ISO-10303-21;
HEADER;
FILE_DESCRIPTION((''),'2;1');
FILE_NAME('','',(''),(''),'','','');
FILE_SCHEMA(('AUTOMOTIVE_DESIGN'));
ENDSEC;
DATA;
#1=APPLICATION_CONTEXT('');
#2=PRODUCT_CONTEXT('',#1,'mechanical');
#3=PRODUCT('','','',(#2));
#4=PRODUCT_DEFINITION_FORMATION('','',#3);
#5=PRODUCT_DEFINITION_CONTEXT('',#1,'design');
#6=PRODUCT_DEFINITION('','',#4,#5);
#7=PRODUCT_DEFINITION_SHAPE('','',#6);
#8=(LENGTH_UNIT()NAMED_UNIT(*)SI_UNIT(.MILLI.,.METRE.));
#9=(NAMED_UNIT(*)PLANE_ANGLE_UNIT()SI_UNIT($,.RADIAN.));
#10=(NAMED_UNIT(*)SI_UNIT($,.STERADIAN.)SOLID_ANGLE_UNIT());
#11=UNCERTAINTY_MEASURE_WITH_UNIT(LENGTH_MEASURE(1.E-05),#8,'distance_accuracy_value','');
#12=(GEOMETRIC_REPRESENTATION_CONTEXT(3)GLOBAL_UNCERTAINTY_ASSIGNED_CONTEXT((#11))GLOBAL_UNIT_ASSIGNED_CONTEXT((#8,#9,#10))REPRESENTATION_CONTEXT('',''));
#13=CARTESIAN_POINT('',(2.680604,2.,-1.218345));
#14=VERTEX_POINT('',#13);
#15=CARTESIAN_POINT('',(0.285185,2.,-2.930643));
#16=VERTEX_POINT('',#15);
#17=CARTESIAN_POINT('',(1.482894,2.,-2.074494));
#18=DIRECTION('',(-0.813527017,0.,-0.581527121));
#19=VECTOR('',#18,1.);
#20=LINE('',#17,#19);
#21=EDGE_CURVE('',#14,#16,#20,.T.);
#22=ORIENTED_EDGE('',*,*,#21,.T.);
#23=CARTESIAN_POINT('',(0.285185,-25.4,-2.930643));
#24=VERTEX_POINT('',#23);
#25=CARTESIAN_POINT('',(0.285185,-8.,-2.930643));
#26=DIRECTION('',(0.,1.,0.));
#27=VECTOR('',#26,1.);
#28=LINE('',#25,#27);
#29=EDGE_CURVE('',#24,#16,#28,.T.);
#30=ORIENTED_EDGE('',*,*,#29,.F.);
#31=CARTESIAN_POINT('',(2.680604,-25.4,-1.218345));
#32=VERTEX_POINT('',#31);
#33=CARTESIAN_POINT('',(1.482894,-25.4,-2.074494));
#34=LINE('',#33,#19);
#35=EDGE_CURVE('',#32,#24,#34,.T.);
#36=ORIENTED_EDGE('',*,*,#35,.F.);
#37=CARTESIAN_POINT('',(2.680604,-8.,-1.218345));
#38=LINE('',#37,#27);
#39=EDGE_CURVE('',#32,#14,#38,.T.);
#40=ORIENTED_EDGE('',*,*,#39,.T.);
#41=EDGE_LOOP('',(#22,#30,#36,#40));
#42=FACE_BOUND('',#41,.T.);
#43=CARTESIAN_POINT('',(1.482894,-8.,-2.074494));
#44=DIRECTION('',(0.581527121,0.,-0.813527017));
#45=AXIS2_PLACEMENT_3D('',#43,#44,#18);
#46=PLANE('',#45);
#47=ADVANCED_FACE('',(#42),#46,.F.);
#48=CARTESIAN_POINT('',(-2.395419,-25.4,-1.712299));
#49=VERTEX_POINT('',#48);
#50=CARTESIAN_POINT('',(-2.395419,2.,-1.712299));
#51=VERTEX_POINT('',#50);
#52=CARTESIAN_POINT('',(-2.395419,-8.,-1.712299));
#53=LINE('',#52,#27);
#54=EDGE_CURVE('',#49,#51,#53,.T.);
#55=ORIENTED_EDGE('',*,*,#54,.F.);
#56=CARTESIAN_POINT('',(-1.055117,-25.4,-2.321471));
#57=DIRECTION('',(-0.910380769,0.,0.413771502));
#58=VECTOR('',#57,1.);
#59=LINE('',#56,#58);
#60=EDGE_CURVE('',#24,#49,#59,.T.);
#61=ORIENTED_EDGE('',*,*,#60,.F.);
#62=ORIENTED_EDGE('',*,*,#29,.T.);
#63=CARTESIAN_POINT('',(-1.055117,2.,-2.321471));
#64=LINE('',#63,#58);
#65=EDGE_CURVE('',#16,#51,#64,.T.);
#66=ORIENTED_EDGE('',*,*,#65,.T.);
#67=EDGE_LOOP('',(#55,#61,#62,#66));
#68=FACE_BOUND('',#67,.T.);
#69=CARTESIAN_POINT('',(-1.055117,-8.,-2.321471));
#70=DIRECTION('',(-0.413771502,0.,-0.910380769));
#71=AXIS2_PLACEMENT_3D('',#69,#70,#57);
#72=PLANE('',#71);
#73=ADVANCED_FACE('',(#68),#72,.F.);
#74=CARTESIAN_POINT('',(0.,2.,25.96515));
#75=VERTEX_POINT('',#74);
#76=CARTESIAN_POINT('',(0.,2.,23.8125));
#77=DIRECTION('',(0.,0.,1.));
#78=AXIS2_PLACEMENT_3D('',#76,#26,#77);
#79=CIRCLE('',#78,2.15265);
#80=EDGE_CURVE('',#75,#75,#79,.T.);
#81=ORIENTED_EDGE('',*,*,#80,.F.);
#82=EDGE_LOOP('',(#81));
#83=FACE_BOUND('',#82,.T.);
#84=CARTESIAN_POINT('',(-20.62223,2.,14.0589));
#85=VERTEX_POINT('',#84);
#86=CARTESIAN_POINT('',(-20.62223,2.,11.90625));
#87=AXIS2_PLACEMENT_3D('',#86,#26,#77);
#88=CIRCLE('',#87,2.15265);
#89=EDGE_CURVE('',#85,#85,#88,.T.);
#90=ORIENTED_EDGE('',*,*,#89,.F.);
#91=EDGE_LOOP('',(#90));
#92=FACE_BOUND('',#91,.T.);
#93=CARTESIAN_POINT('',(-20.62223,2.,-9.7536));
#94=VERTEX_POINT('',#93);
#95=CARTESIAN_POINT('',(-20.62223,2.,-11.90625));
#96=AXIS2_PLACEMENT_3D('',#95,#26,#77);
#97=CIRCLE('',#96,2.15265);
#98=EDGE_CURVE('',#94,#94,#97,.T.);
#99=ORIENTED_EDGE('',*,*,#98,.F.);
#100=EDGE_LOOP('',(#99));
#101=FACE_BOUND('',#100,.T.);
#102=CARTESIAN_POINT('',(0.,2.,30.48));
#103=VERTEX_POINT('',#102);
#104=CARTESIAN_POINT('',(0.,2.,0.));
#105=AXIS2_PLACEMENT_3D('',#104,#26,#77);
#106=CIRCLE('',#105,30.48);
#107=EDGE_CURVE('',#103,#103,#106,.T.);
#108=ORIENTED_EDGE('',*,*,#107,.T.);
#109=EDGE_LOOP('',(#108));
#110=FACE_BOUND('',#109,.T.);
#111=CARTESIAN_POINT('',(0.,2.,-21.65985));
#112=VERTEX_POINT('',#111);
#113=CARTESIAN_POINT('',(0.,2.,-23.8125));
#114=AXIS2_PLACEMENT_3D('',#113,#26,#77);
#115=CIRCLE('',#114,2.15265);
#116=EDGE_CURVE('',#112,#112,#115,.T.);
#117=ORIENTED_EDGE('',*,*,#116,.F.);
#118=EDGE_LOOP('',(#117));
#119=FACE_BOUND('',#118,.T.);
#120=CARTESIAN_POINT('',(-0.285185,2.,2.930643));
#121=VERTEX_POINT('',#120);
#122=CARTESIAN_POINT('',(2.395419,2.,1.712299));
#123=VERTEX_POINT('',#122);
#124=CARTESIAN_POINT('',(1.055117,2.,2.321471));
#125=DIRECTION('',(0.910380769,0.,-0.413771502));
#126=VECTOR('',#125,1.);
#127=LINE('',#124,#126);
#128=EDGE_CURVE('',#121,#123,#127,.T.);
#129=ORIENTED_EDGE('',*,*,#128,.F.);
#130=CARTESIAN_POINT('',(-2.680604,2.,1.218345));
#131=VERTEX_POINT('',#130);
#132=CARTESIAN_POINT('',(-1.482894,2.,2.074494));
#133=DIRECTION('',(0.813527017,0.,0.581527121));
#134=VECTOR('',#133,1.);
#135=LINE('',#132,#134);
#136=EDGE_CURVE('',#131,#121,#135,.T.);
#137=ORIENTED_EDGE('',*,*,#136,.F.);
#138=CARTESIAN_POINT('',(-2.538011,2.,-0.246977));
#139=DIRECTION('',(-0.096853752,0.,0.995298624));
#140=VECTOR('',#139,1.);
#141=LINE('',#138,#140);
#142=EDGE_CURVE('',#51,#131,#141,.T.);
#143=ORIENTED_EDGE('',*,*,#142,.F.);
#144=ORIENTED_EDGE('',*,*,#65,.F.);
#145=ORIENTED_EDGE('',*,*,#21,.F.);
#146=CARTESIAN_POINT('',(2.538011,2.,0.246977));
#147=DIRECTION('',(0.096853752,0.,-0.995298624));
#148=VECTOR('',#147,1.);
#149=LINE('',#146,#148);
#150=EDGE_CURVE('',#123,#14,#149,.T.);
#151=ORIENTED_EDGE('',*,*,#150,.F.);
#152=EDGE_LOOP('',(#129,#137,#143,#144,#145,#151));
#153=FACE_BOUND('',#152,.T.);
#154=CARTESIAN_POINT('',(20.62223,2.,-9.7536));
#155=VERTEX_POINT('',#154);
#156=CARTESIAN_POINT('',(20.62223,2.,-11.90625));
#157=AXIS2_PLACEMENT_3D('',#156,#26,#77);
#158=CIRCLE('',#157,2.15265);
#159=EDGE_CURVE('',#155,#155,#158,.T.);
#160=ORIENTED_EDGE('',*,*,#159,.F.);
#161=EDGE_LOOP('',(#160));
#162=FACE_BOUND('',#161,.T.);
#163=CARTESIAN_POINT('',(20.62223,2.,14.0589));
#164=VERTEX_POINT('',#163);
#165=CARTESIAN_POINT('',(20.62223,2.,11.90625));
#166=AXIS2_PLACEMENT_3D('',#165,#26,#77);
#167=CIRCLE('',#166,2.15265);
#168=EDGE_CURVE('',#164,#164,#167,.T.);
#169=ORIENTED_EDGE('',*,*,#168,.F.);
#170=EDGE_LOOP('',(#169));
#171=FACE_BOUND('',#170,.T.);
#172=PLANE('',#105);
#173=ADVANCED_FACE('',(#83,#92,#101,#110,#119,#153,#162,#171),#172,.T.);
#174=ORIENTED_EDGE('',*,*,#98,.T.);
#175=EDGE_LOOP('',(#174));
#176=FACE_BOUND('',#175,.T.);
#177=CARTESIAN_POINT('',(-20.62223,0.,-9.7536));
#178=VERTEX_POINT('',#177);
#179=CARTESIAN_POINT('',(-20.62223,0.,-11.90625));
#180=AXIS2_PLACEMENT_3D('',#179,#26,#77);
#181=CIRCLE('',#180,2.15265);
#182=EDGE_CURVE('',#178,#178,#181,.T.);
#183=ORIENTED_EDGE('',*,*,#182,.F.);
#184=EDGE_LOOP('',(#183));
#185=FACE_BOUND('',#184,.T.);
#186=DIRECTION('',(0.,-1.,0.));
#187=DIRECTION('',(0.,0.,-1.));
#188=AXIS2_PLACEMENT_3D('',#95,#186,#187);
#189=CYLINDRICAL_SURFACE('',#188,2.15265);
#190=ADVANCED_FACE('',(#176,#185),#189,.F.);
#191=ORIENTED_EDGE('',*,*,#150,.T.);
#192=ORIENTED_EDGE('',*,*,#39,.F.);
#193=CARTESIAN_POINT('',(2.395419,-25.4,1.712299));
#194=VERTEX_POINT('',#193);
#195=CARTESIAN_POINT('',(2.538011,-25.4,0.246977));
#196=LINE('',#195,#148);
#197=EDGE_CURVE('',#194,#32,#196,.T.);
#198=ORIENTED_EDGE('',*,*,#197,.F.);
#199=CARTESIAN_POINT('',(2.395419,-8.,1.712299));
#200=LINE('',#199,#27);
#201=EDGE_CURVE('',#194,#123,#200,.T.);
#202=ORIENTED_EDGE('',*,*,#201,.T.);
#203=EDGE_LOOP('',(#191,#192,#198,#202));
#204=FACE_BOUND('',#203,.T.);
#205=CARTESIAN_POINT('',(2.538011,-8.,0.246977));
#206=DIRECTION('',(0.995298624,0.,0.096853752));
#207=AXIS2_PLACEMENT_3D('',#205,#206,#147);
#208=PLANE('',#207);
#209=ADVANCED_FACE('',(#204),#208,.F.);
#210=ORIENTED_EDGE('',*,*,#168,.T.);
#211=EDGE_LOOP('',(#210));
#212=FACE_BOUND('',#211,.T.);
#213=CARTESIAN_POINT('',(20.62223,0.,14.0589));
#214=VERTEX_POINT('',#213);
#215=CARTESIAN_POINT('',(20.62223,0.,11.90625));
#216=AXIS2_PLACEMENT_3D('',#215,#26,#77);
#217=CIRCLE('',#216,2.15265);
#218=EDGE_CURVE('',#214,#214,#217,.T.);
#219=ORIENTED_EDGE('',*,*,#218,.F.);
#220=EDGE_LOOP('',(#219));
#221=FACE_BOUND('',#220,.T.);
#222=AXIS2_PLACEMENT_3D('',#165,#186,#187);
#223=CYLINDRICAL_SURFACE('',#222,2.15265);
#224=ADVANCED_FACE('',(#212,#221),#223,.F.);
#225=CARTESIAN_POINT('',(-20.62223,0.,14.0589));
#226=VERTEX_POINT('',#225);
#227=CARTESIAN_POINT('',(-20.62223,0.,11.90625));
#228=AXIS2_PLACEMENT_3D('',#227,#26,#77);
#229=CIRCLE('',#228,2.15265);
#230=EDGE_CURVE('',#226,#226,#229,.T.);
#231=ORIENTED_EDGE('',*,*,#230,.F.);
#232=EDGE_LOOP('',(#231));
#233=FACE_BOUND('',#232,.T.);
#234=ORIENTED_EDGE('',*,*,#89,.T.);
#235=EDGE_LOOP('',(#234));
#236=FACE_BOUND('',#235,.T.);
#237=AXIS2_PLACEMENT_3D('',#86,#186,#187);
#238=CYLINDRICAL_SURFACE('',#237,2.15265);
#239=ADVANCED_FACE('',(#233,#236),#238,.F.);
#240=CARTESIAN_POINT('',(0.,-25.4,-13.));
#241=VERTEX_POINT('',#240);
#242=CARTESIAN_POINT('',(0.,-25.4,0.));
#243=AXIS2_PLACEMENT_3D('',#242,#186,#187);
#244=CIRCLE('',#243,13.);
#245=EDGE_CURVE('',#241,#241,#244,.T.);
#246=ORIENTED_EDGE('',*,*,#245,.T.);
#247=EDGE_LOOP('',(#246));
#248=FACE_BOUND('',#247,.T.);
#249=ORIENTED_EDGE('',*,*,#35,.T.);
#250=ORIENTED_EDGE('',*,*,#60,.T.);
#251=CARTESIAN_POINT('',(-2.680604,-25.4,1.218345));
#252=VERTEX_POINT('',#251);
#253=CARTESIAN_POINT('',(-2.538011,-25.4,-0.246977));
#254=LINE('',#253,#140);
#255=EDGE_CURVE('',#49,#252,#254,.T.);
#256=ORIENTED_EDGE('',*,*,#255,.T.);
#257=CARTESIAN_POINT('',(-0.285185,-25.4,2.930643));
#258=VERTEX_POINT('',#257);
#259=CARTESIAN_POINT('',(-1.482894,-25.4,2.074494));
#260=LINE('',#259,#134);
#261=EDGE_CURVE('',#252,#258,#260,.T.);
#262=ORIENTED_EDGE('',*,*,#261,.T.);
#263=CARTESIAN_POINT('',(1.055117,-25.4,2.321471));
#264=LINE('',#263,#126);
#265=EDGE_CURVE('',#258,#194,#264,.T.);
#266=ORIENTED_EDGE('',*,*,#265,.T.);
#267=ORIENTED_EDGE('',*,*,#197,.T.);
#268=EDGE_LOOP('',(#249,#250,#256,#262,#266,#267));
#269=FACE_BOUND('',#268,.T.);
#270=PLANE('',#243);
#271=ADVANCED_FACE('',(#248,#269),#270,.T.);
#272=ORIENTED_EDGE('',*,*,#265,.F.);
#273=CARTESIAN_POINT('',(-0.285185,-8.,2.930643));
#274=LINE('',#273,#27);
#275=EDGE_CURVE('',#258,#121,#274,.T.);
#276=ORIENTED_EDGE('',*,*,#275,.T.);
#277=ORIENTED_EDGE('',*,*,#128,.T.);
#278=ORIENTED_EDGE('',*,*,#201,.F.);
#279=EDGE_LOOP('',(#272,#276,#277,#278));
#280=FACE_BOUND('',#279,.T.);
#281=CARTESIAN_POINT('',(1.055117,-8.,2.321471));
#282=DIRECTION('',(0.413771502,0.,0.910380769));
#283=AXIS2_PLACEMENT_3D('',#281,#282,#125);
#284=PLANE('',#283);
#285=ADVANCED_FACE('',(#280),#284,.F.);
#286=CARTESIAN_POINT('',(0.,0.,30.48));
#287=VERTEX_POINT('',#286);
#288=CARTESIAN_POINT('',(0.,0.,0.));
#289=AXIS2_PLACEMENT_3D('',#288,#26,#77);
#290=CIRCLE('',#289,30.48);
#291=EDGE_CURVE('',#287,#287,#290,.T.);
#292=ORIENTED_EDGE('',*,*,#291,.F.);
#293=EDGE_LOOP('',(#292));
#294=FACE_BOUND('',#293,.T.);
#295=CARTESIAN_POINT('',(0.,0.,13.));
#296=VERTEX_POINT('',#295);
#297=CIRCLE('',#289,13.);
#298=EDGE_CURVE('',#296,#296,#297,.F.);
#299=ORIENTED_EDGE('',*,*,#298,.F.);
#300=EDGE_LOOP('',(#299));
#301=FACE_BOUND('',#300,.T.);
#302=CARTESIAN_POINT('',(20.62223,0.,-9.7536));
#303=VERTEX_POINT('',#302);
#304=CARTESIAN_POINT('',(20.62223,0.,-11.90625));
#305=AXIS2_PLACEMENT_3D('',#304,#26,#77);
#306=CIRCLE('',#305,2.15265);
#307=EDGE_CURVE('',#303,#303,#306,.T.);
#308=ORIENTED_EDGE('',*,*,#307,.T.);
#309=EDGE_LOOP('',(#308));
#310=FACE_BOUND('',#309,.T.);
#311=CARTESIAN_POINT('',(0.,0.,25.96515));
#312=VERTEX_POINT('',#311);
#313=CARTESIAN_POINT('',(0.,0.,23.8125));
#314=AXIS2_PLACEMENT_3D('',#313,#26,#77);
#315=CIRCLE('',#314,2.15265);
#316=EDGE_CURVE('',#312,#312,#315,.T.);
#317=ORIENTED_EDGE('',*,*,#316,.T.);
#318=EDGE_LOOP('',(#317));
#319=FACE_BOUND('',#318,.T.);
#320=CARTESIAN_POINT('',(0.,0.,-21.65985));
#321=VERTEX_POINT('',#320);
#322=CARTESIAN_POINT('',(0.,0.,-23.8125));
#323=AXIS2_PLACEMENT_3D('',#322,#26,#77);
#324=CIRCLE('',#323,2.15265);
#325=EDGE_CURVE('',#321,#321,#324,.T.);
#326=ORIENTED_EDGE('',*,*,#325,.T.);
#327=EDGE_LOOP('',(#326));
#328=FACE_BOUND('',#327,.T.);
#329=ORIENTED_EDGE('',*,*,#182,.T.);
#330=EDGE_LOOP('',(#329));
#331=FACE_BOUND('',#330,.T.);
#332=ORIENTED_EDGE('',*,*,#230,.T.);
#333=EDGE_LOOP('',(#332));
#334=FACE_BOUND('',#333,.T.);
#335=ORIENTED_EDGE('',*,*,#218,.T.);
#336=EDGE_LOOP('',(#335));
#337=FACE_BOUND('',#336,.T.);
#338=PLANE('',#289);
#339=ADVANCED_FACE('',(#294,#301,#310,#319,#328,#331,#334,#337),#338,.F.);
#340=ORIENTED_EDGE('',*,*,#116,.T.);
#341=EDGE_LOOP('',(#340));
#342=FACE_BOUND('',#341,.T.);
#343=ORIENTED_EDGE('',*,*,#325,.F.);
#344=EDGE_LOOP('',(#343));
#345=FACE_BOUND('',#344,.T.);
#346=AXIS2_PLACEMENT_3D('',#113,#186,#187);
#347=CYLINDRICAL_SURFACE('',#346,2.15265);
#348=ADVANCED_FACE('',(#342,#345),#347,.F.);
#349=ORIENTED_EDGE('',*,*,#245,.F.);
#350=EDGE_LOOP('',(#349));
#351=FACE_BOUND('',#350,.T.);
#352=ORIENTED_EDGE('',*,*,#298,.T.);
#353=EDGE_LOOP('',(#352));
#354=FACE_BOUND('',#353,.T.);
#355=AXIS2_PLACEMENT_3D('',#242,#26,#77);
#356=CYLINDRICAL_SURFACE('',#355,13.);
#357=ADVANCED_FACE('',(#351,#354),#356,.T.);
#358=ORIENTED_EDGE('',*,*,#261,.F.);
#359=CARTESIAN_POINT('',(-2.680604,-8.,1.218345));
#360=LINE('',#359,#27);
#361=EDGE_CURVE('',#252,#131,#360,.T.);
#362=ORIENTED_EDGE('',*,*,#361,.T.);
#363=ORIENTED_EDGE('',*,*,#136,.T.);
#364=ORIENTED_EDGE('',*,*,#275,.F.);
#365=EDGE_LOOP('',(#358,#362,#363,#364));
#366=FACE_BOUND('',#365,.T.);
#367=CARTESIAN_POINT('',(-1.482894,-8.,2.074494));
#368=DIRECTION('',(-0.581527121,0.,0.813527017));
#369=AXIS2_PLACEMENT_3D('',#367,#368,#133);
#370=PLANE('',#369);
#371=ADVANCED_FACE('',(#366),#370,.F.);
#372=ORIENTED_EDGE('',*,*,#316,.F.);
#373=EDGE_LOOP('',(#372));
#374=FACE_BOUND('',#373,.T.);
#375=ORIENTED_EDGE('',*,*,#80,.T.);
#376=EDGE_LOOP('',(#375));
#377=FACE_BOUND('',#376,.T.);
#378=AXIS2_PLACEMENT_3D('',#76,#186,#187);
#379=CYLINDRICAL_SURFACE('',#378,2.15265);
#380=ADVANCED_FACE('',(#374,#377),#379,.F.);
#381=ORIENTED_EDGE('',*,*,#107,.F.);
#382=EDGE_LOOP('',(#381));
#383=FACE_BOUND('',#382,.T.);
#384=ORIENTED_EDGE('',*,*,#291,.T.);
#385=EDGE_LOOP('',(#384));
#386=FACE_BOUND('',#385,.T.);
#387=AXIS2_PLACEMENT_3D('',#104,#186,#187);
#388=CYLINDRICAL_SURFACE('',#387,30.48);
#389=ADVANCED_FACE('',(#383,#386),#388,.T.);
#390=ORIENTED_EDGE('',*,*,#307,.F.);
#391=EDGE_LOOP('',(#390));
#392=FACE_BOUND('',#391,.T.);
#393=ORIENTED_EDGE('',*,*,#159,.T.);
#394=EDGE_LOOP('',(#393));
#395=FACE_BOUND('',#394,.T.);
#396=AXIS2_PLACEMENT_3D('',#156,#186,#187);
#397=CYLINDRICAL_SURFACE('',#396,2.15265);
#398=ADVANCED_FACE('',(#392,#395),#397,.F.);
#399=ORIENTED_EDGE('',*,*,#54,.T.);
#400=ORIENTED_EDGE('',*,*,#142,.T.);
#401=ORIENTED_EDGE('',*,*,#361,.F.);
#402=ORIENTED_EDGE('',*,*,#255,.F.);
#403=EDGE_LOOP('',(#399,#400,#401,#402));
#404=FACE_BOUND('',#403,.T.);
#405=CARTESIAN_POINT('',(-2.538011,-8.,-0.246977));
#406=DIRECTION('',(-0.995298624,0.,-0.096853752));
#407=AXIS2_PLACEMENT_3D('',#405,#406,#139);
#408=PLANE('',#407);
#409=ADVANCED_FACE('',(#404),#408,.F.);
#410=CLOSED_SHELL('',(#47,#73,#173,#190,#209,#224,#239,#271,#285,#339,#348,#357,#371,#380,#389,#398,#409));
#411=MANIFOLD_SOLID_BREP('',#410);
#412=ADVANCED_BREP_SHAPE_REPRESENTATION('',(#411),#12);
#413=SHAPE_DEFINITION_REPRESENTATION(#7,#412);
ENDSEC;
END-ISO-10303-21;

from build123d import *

# Parameters (mm, degrees)
SKETCH1_R           = 30.48
SKETCH1_R_2         = 2.15265
BOSS_EXTRUDE1_DEPTH = 2
CUT_EXTRUDE1_DEPTH  = 10
SKETCH3_R           = 13
BOSS_EXTRUDE2_DEPTH = 25.4


with BuildPart() as part:
    # Sketch1 → Boss-Extrude1 (new body)
    with BuildSketch(Plane(origin=(0, 0, 0), x_dir=(1, 0, 0), z_dir=(0, 1, 0))):
        with Locations(Location((0, 0, 0), (0, 0, 270))):
            Circle(SKETCH1_R)
        with Locations(Location((0, -23.8125, 0), (0, 0, 270))):
            Circle(SKETCH1_R_2, mode=Mode.SUBTRACT)
        with Locations(Location((20.622229928, -11.90625, 0), (0, 0, 270))):
            Circle(SKETCH1_R_2, mode=Mode.SUBTRACT)
        with Locations(Location((20.622229928, 11.90625, 0), (0, 0, 270))):
            Circle(SKETCH1_R_2, mode=Mode.SUBTRACT)
        with Locations(Location((0, 23.8125, 0), (0, 0, 270))):
            Circle(SKETCH1_R_2, mode=Mode.SUBTRACT)
        with Locations(Location((-20.622229928, 11.90625, 0), (0, 0, 270))):
            Circle(SKETCH1_R_2, mode=Mode.SUBTRACT)
        with Locations(Location((-20.622229928, -11.90625, 0), (0, 0, 270))):
            Circle(SKETCH1_R_2, mode=Mode.SUBTRACT)
    extrude(amount=BOSS_EXTRUDE1_DEPTH)

    # Sketch2 → Cut-Extrude1 (cut)
    with BuildSketch(Plane(origin=(0, 2, 0), x_dir=(1, 0, 0), z_dir=(0, 1, 0))):
        Polygon((-2.680603767, -1.218344551), (-0.285184552, -2.930643235), (2.395419215, -1.712298684), (2.680603767, 1.218344551), (0.285184552, 2.930643235), (-2.395419215, 1.712298684), align=None)
    extrude(amount=-CUT_EXTRUDE1_DEPTH, mode=Mode.SUBTRACT)

    # Sketch3 → Boss-Extrude2 (add)
    with BuildSketch(Plane.XZ):
        with Locations(Location((0, 0, 0), (0, 0, 90))):
            Circle(SKETCH3_R)
        Polygon((-0.285184552, 2.930643235), (-2.680603767, 1.218344551), (-2.395419215, -1.712298684), (0.285184552, -2.930643235), (2.680603767, -1.218344551), (2.395419215, 1.712298684), align=None, mode=Mode.SUBTRACT)
    extrude(amount=BOSS_EXTRUDE2_DEPTH)


solid = part.part
